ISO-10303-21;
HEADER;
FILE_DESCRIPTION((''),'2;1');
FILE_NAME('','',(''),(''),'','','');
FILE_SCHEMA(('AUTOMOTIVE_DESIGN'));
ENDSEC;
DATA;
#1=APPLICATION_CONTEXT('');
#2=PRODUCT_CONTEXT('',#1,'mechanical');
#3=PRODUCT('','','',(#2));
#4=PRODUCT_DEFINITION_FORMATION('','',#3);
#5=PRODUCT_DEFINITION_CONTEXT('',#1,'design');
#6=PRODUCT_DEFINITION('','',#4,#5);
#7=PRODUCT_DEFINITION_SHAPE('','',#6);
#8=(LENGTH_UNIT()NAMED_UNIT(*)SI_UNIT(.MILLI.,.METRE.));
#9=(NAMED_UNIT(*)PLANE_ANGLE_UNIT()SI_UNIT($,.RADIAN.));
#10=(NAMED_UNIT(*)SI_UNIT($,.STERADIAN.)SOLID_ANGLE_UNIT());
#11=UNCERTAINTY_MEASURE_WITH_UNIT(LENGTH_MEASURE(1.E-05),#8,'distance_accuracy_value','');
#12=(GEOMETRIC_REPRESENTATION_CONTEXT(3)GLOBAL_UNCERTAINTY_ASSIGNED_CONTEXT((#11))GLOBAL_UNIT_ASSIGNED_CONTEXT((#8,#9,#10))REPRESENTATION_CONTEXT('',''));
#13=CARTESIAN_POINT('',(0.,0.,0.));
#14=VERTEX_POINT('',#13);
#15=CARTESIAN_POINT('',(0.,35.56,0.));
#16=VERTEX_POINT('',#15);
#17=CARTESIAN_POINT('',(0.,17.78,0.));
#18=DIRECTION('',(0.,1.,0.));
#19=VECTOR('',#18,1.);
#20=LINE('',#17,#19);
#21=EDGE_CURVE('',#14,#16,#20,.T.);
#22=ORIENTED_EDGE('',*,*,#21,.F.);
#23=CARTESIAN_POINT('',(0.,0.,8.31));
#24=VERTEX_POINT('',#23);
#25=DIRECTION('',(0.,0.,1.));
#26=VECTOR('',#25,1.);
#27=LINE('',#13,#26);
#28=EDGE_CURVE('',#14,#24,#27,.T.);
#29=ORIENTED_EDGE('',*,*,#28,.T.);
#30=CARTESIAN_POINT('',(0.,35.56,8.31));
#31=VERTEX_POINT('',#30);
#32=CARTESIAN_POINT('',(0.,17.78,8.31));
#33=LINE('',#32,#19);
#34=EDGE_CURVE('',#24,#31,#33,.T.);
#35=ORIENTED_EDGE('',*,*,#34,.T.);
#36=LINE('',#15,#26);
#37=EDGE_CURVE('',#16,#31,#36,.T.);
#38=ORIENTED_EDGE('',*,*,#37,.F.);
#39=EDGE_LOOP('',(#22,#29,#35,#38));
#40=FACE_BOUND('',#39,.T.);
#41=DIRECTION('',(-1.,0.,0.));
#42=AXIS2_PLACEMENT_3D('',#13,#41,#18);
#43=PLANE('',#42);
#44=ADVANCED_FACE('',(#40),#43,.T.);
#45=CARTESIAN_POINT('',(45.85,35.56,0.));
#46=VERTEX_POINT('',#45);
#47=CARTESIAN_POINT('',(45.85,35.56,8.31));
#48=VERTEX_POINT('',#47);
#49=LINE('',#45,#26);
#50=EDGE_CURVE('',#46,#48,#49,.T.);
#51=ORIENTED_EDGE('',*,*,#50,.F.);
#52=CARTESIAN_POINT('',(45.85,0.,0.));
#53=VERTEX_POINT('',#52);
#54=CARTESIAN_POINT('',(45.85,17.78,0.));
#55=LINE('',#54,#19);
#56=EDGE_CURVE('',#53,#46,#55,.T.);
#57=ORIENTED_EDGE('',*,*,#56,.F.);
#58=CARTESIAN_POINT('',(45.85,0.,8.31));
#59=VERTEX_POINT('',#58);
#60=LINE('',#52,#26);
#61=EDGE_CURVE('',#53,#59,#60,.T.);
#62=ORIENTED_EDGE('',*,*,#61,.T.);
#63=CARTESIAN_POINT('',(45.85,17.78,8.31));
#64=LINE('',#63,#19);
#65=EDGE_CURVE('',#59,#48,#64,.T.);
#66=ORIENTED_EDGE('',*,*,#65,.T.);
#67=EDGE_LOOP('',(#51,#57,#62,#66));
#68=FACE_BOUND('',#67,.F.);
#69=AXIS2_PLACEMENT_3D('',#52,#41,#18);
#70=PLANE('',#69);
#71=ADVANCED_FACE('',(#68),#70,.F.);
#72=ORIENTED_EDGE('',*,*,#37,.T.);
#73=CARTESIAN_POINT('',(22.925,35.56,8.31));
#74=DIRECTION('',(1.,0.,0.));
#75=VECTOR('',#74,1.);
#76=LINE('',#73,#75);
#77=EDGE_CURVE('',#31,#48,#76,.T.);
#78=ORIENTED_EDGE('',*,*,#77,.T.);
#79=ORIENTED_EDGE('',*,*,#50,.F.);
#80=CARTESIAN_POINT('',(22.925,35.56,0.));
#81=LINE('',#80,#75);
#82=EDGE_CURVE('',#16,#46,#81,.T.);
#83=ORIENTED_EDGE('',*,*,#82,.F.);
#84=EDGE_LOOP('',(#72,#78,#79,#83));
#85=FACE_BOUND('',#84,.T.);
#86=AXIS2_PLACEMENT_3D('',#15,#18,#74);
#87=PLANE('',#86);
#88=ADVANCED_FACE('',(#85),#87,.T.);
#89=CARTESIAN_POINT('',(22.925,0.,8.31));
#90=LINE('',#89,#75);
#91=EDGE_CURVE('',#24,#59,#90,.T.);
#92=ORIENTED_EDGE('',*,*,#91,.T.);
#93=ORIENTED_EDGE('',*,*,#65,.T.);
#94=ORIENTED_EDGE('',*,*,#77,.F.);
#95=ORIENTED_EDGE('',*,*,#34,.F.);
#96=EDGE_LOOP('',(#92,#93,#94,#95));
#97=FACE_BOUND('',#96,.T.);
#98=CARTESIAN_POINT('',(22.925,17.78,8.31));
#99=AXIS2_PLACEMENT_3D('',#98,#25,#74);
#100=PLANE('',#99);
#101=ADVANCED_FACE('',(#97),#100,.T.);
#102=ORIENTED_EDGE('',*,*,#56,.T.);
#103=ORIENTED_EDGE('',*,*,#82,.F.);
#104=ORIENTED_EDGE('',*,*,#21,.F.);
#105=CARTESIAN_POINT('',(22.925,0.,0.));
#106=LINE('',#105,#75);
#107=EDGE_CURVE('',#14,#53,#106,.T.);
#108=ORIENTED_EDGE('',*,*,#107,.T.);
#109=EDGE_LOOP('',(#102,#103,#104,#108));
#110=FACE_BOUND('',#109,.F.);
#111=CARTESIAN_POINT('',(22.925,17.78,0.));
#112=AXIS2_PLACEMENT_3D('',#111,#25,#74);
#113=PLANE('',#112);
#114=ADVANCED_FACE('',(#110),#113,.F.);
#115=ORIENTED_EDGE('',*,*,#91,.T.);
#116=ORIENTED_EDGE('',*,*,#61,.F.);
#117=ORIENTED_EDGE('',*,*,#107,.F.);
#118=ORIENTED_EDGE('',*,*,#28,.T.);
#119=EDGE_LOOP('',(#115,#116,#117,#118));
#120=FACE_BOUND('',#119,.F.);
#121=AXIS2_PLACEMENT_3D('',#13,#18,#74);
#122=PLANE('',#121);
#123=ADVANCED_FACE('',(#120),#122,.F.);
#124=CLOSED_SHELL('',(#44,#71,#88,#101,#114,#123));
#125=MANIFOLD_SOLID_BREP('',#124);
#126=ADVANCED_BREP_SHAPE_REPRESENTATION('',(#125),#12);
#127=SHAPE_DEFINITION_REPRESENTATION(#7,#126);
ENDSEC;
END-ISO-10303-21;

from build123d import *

# Parameters (mm, degrees)
BOX_W     = 45.85
BOX_H     = 35.56
BOX_DEPTH = 8.31


with BuildPart() as part:
    # Box → Box (new body)
    with BuildSketch(Plane.XY):
        with Locations((22.925, 17.78)):
            Rectangle(BOX_W, BOX_H)
    extrude(amount=BOX_DEPTH)


solid = part.part
